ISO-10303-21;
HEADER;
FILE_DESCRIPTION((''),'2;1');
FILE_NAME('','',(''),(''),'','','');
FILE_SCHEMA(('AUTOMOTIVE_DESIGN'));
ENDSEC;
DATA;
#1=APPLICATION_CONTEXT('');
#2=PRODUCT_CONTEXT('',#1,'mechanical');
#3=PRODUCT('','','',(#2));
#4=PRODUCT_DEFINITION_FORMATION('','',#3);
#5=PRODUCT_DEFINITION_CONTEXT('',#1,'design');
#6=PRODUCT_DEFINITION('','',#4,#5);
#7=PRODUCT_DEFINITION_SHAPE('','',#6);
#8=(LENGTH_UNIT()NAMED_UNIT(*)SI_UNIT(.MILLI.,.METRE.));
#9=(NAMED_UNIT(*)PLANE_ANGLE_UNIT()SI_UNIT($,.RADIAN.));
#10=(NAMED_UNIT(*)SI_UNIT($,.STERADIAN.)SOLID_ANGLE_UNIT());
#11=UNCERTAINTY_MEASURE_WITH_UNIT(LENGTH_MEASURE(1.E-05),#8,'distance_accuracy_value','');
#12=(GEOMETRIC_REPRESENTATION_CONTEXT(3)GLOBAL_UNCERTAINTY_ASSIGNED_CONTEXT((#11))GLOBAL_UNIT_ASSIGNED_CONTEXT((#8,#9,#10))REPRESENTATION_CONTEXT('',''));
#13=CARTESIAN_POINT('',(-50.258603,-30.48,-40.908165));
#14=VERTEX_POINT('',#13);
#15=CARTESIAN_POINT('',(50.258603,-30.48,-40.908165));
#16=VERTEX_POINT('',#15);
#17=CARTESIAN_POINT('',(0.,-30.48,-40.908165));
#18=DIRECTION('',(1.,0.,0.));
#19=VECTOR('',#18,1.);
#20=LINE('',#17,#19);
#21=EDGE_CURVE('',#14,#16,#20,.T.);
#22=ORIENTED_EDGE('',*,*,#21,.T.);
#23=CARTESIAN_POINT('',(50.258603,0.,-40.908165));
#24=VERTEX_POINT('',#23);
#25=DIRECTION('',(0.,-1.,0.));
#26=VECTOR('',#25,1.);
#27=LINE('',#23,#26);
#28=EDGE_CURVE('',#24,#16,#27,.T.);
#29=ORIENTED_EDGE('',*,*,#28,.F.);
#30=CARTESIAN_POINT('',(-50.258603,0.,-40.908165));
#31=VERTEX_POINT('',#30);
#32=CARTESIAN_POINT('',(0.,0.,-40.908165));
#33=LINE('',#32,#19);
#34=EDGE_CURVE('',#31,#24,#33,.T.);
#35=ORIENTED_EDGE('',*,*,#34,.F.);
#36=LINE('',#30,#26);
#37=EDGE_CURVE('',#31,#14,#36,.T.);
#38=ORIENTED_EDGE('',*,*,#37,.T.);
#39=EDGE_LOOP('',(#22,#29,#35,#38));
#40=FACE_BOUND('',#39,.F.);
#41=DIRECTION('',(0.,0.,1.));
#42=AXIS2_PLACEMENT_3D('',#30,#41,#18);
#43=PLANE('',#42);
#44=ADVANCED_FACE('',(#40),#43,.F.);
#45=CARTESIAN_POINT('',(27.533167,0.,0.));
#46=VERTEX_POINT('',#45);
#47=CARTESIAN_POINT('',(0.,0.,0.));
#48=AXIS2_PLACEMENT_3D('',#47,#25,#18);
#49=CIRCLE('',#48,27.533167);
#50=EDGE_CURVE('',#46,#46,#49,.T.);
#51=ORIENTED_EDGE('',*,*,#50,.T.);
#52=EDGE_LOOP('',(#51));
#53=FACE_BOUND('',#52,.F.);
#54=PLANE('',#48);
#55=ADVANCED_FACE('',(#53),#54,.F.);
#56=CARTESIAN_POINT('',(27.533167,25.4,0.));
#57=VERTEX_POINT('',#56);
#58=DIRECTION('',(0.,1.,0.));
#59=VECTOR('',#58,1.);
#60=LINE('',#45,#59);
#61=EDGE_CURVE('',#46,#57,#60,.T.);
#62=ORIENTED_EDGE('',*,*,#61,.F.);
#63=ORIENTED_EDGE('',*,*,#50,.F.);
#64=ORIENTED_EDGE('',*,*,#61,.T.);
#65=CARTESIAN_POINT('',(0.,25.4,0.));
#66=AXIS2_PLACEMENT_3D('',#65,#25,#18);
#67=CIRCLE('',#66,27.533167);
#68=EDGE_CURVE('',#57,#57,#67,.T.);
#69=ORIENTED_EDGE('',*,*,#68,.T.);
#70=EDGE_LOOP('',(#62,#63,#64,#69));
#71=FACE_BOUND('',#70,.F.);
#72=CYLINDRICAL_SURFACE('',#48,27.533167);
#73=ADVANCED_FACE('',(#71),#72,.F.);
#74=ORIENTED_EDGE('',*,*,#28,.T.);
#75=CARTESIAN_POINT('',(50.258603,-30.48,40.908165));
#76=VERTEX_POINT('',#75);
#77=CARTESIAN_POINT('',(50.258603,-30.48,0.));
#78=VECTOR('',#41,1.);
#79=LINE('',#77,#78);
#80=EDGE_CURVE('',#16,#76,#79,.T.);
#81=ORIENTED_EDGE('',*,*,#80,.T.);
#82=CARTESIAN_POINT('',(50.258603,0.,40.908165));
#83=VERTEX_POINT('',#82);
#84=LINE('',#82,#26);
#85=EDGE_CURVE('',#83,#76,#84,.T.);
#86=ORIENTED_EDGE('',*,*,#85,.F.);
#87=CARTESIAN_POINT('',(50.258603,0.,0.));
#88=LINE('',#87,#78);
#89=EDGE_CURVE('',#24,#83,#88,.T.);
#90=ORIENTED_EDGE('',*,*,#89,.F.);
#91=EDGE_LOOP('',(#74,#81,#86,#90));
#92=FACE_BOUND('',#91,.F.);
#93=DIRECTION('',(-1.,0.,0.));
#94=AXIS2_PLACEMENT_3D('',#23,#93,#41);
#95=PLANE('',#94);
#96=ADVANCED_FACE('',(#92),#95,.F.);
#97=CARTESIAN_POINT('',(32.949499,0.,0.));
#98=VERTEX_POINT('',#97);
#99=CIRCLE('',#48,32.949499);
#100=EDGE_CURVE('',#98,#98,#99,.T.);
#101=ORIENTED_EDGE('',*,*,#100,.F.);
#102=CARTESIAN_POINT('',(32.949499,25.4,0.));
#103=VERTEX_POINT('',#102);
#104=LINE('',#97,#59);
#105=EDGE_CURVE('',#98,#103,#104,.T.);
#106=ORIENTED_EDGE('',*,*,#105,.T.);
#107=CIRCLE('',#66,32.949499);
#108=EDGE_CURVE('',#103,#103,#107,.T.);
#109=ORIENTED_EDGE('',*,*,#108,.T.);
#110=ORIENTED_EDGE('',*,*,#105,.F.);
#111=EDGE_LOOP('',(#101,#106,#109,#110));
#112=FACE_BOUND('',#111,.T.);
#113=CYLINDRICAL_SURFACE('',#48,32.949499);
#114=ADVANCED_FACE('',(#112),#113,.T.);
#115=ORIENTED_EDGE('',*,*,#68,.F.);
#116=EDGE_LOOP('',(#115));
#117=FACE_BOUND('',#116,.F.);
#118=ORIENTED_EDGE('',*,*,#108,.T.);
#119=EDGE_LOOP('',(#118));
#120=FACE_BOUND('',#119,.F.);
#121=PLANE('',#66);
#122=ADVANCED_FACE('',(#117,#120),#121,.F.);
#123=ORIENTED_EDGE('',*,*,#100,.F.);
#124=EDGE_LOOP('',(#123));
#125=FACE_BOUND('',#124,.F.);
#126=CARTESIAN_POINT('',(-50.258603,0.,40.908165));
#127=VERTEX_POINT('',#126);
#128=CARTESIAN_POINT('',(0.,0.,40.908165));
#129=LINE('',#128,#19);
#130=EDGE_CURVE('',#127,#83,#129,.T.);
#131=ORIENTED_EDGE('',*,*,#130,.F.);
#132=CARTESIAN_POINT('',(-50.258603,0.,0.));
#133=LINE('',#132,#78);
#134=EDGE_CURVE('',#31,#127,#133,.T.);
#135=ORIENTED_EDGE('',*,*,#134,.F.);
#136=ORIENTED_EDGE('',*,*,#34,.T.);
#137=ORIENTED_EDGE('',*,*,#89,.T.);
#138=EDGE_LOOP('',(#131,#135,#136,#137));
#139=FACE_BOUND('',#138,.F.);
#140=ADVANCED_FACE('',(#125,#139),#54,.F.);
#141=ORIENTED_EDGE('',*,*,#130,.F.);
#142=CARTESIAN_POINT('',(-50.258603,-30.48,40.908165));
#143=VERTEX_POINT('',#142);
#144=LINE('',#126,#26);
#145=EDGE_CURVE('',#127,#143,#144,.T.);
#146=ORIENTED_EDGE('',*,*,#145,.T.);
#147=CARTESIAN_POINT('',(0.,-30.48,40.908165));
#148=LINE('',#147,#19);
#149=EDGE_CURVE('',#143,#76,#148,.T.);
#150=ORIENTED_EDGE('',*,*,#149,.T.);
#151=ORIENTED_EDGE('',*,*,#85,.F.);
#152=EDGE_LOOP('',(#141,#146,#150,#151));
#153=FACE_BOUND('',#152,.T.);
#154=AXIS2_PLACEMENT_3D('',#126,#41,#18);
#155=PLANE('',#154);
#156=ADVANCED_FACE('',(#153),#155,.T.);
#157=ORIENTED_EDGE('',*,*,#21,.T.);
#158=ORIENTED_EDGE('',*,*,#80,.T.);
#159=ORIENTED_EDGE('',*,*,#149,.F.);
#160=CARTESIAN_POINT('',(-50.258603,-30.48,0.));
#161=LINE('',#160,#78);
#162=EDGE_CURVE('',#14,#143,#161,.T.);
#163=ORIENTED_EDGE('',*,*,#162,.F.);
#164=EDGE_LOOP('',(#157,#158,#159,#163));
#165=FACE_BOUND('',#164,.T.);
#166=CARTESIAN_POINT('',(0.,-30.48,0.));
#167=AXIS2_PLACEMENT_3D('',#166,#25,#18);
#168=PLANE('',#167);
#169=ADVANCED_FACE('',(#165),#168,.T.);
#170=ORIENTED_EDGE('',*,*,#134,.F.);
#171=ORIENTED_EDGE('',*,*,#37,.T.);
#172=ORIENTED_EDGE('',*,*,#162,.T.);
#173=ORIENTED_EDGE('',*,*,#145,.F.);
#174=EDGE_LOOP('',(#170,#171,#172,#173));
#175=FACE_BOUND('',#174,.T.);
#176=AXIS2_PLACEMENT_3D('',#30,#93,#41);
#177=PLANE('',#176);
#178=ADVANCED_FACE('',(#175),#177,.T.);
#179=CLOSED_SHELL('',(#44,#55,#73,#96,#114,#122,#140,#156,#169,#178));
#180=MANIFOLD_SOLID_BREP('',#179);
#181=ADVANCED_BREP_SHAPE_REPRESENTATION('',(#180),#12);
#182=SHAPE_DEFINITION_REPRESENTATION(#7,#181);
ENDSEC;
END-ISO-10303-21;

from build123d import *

# Parameters (mm, degrees)
F0_W     = 100.517206
F0_H     = 81.81633
F1_DEPTH = 30.48
F2_R     = 32.949499
F2_R_2   = 27.533167
F3_DEPTH = 25.4


with BuildPart() as f1:
    # F0 (on Front) → F1 (new body)
    with BuildSketch(Plane.XZ):
        Rectangle(F0_W, F0_H)
    extrude(amount=F1_DEPTH)

    # F2 (on Front) → F3 (join)
    with BuildSketch(Plane.XZ):
        Circle(F2_R)
        Circle(F2_R_2, mode=Mode.SUBTRACT)
    extrude(amount=-F3_DEPTH)


solid = f1.part
